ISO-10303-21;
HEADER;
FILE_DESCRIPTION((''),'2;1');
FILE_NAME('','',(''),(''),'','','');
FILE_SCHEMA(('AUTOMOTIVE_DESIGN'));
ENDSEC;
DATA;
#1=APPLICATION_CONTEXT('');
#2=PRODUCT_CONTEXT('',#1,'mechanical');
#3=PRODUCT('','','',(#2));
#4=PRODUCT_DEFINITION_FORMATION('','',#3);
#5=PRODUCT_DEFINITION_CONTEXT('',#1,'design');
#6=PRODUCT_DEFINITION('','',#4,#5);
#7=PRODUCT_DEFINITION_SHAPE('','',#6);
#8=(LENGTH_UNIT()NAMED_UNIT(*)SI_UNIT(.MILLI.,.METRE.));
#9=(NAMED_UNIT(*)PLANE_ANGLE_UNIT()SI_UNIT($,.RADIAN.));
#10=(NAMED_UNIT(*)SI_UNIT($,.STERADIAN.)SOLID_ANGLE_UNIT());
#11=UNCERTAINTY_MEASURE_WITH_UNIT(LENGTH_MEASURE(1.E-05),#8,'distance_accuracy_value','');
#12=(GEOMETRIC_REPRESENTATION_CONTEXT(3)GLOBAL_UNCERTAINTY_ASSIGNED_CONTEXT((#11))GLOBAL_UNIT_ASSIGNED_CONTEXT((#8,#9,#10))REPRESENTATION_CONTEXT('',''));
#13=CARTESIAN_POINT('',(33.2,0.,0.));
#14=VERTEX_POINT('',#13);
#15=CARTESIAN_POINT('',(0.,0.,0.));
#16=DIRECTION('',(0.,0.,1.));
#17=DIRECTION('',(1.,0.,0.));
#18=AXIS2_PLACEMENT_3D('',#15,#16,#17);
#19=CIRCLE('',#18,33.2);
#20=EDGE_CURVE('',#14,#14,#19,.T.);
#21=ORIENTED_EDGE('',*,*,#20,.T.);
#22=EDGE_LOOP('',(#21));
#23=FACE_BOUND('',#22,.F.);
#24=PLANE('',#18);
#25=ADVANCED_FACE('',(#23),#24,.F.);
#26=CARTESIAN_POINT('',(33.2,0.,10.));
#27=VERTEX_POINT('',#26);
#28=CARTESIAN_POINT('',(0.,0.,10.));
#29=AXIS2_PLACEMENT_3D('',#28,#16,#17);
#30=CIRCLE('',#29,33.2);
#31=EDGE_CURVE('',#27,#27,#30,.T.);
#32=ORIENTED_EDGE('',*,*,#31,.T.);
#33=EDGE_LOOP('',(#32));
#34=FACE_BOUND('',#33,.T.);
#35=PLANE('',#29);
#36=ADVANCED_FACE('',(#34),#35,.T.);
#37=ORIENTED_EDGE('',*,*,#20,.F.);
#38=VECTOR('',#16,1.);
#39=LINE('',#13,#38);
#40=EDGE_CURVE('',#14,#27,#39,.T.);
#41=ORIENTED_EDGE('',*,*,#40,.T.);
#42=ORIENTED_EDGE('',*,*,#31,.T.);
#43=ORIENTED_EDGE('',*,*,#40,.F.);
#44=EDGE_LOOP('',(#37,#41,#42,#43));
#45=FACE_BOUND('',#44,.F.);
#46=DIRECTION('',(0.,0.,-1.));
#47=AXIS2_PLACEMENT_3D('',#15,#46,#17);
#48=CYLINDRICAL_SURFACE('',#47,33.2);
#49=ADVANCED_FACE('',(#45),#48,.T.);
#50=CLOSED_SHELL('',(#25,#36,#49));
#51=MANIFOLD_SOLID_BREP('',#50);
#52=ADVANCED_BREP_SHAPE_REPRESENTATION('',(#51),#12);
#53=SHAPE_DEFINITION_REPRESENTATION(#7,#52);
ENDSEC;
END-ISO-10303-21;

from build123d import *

# Parameters (mm, degrees)
SKETCH_R  = 33.2
PAD_DEPTH = 10


with BuildPart() as part:
    # Sketch → Pad (new body)
    with BuildSketch(Plane.XY):
        Circle(SKETCH_R)
    extrude(amount=PAD_DEPTH)


solid = part.part
